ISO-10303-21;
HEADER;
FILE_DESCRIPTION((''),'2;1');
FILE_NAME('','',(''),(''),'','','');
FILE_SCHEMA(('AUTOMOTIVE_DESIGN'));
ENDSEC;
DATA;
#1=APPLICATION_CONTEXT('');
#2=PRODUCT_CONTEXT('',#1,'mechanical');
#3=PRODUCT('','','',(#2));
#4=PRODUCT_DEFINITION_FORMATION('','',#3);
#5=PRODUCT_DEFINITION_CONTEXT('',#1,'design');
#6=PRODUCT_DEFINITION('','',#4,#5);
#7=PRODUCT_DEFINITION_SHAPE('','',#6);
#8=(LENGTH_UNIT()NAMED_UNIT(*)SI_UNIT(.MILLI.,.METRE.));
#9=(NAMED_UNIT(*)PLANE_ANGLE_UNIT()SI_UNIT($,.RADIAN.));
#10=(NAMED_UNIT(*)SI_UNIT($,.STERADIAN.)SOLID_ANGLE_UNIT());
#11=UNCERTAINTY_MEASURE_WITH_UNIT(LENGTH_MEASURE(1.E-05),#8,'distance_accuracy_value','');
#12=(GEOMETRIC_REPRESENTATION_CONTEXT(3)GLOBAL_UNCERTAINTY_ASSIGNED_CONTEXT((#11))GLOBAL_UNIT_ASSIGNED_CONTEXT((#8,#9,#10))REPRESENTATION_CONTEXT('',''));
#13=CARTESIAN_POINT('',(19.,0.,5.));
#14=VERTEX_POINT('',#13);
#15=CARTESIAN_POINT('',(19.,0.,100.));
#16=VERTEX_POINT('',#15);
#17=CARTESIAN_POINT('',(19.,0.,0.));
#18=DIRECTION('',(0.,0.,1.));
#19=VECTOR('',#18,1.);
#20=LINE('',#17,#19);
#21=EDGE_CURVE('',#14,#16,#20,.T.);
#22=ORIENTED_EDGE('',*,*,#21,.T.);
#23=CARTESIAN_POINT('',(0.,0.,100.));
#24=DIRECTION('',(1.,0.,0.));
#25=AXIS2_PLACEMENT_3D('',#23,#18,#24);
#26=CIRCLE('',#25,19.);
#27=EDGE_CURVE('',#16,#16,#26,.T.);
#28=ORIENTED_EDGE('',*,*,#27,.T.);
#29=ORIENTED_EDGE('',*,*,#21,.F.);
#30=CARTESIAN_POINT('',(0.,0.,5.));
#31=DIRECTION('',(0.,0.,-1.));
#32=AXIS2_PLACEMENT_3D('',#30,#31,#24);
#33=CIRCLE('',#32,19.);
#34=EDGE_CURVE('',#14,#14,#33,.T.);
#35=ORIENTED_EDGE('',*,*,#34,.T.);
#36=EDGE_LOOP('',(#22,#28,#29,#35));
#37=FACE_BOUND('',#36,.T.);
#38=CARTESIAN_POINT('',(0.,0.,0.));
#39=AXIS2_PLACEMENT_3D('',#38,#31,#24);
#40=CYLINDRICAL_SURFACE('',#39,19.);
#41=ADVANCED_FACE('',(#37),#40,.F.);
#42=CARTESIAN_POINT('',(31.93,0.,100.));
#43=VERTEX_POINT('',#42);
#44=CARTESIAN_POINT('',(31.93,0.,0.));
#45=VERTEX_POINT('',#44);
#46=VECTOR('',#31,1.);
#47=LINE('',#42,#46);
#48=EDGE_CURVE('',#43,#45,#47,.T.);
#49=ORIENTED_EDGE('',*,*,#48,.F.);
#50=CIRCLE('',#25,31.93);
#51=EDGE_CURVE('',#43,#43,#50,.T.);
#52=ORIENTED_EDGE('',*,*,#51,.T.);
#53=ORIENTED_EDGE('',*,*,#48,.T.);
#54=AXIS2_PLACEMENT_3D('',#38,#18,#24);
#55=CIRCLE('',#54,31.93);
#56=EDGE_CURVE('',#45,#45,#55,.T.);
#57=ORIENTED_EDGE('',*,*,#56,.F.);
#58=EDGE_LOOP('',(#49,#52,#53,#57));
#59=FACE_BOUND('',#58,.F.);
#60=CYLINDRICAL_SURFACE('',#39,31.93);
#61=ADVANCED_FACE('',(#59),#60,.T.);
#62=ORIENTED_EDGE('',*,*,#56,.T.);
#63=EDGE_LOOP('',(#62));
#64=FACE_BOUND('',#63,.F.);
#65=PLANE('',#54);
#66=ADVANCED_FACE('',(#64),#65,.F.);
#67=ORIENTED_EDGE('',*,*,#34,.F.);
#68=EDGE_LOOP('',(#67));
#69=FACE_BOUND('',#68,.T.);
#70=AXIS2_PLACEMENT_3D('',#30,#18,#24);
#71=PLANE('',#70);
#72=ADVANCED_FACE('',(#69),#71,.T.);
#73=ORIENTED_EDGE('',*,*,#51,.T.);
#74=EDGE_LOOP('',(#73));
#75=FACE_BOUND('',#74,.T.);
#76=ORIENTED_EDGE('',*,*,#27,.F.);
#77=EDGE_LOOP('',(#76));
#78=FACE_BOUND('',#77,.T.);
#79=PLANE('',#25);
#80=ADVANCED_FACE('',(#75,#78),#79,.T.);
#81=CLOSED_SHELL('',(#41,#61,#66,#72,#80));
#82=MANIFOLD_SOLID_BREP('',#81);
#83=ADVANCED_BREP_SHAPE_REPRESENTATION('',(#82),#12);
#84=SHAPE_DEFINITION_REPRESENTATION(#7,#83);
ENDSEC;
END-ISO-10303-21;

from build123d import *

# Parameters (mm, degrees)
SKETCH001_R   = 31.93
SKETCH001_R_2 = 19
PAD_DEPTH     = 100
SKETCH_R      = 31.93
PAD001_DEPTH  = 5


with BuildPart() as part:
    # Sketch001 → Pad (new body)
    with BuildSketch(Plane.XY):
        Circle(SKETCH001_R)
        Circle(SKETCH001_R_2, mode=Mode.SUBTRACT)
    extrude(amount=PAD_DEPTH)

    # Sketch → Pad001 (join)
    with BuildSketch(Plane.XY):
        Circle(SKETCH_R)
    extrude(amount=PAD001_DEPTH)


solid = part.part
